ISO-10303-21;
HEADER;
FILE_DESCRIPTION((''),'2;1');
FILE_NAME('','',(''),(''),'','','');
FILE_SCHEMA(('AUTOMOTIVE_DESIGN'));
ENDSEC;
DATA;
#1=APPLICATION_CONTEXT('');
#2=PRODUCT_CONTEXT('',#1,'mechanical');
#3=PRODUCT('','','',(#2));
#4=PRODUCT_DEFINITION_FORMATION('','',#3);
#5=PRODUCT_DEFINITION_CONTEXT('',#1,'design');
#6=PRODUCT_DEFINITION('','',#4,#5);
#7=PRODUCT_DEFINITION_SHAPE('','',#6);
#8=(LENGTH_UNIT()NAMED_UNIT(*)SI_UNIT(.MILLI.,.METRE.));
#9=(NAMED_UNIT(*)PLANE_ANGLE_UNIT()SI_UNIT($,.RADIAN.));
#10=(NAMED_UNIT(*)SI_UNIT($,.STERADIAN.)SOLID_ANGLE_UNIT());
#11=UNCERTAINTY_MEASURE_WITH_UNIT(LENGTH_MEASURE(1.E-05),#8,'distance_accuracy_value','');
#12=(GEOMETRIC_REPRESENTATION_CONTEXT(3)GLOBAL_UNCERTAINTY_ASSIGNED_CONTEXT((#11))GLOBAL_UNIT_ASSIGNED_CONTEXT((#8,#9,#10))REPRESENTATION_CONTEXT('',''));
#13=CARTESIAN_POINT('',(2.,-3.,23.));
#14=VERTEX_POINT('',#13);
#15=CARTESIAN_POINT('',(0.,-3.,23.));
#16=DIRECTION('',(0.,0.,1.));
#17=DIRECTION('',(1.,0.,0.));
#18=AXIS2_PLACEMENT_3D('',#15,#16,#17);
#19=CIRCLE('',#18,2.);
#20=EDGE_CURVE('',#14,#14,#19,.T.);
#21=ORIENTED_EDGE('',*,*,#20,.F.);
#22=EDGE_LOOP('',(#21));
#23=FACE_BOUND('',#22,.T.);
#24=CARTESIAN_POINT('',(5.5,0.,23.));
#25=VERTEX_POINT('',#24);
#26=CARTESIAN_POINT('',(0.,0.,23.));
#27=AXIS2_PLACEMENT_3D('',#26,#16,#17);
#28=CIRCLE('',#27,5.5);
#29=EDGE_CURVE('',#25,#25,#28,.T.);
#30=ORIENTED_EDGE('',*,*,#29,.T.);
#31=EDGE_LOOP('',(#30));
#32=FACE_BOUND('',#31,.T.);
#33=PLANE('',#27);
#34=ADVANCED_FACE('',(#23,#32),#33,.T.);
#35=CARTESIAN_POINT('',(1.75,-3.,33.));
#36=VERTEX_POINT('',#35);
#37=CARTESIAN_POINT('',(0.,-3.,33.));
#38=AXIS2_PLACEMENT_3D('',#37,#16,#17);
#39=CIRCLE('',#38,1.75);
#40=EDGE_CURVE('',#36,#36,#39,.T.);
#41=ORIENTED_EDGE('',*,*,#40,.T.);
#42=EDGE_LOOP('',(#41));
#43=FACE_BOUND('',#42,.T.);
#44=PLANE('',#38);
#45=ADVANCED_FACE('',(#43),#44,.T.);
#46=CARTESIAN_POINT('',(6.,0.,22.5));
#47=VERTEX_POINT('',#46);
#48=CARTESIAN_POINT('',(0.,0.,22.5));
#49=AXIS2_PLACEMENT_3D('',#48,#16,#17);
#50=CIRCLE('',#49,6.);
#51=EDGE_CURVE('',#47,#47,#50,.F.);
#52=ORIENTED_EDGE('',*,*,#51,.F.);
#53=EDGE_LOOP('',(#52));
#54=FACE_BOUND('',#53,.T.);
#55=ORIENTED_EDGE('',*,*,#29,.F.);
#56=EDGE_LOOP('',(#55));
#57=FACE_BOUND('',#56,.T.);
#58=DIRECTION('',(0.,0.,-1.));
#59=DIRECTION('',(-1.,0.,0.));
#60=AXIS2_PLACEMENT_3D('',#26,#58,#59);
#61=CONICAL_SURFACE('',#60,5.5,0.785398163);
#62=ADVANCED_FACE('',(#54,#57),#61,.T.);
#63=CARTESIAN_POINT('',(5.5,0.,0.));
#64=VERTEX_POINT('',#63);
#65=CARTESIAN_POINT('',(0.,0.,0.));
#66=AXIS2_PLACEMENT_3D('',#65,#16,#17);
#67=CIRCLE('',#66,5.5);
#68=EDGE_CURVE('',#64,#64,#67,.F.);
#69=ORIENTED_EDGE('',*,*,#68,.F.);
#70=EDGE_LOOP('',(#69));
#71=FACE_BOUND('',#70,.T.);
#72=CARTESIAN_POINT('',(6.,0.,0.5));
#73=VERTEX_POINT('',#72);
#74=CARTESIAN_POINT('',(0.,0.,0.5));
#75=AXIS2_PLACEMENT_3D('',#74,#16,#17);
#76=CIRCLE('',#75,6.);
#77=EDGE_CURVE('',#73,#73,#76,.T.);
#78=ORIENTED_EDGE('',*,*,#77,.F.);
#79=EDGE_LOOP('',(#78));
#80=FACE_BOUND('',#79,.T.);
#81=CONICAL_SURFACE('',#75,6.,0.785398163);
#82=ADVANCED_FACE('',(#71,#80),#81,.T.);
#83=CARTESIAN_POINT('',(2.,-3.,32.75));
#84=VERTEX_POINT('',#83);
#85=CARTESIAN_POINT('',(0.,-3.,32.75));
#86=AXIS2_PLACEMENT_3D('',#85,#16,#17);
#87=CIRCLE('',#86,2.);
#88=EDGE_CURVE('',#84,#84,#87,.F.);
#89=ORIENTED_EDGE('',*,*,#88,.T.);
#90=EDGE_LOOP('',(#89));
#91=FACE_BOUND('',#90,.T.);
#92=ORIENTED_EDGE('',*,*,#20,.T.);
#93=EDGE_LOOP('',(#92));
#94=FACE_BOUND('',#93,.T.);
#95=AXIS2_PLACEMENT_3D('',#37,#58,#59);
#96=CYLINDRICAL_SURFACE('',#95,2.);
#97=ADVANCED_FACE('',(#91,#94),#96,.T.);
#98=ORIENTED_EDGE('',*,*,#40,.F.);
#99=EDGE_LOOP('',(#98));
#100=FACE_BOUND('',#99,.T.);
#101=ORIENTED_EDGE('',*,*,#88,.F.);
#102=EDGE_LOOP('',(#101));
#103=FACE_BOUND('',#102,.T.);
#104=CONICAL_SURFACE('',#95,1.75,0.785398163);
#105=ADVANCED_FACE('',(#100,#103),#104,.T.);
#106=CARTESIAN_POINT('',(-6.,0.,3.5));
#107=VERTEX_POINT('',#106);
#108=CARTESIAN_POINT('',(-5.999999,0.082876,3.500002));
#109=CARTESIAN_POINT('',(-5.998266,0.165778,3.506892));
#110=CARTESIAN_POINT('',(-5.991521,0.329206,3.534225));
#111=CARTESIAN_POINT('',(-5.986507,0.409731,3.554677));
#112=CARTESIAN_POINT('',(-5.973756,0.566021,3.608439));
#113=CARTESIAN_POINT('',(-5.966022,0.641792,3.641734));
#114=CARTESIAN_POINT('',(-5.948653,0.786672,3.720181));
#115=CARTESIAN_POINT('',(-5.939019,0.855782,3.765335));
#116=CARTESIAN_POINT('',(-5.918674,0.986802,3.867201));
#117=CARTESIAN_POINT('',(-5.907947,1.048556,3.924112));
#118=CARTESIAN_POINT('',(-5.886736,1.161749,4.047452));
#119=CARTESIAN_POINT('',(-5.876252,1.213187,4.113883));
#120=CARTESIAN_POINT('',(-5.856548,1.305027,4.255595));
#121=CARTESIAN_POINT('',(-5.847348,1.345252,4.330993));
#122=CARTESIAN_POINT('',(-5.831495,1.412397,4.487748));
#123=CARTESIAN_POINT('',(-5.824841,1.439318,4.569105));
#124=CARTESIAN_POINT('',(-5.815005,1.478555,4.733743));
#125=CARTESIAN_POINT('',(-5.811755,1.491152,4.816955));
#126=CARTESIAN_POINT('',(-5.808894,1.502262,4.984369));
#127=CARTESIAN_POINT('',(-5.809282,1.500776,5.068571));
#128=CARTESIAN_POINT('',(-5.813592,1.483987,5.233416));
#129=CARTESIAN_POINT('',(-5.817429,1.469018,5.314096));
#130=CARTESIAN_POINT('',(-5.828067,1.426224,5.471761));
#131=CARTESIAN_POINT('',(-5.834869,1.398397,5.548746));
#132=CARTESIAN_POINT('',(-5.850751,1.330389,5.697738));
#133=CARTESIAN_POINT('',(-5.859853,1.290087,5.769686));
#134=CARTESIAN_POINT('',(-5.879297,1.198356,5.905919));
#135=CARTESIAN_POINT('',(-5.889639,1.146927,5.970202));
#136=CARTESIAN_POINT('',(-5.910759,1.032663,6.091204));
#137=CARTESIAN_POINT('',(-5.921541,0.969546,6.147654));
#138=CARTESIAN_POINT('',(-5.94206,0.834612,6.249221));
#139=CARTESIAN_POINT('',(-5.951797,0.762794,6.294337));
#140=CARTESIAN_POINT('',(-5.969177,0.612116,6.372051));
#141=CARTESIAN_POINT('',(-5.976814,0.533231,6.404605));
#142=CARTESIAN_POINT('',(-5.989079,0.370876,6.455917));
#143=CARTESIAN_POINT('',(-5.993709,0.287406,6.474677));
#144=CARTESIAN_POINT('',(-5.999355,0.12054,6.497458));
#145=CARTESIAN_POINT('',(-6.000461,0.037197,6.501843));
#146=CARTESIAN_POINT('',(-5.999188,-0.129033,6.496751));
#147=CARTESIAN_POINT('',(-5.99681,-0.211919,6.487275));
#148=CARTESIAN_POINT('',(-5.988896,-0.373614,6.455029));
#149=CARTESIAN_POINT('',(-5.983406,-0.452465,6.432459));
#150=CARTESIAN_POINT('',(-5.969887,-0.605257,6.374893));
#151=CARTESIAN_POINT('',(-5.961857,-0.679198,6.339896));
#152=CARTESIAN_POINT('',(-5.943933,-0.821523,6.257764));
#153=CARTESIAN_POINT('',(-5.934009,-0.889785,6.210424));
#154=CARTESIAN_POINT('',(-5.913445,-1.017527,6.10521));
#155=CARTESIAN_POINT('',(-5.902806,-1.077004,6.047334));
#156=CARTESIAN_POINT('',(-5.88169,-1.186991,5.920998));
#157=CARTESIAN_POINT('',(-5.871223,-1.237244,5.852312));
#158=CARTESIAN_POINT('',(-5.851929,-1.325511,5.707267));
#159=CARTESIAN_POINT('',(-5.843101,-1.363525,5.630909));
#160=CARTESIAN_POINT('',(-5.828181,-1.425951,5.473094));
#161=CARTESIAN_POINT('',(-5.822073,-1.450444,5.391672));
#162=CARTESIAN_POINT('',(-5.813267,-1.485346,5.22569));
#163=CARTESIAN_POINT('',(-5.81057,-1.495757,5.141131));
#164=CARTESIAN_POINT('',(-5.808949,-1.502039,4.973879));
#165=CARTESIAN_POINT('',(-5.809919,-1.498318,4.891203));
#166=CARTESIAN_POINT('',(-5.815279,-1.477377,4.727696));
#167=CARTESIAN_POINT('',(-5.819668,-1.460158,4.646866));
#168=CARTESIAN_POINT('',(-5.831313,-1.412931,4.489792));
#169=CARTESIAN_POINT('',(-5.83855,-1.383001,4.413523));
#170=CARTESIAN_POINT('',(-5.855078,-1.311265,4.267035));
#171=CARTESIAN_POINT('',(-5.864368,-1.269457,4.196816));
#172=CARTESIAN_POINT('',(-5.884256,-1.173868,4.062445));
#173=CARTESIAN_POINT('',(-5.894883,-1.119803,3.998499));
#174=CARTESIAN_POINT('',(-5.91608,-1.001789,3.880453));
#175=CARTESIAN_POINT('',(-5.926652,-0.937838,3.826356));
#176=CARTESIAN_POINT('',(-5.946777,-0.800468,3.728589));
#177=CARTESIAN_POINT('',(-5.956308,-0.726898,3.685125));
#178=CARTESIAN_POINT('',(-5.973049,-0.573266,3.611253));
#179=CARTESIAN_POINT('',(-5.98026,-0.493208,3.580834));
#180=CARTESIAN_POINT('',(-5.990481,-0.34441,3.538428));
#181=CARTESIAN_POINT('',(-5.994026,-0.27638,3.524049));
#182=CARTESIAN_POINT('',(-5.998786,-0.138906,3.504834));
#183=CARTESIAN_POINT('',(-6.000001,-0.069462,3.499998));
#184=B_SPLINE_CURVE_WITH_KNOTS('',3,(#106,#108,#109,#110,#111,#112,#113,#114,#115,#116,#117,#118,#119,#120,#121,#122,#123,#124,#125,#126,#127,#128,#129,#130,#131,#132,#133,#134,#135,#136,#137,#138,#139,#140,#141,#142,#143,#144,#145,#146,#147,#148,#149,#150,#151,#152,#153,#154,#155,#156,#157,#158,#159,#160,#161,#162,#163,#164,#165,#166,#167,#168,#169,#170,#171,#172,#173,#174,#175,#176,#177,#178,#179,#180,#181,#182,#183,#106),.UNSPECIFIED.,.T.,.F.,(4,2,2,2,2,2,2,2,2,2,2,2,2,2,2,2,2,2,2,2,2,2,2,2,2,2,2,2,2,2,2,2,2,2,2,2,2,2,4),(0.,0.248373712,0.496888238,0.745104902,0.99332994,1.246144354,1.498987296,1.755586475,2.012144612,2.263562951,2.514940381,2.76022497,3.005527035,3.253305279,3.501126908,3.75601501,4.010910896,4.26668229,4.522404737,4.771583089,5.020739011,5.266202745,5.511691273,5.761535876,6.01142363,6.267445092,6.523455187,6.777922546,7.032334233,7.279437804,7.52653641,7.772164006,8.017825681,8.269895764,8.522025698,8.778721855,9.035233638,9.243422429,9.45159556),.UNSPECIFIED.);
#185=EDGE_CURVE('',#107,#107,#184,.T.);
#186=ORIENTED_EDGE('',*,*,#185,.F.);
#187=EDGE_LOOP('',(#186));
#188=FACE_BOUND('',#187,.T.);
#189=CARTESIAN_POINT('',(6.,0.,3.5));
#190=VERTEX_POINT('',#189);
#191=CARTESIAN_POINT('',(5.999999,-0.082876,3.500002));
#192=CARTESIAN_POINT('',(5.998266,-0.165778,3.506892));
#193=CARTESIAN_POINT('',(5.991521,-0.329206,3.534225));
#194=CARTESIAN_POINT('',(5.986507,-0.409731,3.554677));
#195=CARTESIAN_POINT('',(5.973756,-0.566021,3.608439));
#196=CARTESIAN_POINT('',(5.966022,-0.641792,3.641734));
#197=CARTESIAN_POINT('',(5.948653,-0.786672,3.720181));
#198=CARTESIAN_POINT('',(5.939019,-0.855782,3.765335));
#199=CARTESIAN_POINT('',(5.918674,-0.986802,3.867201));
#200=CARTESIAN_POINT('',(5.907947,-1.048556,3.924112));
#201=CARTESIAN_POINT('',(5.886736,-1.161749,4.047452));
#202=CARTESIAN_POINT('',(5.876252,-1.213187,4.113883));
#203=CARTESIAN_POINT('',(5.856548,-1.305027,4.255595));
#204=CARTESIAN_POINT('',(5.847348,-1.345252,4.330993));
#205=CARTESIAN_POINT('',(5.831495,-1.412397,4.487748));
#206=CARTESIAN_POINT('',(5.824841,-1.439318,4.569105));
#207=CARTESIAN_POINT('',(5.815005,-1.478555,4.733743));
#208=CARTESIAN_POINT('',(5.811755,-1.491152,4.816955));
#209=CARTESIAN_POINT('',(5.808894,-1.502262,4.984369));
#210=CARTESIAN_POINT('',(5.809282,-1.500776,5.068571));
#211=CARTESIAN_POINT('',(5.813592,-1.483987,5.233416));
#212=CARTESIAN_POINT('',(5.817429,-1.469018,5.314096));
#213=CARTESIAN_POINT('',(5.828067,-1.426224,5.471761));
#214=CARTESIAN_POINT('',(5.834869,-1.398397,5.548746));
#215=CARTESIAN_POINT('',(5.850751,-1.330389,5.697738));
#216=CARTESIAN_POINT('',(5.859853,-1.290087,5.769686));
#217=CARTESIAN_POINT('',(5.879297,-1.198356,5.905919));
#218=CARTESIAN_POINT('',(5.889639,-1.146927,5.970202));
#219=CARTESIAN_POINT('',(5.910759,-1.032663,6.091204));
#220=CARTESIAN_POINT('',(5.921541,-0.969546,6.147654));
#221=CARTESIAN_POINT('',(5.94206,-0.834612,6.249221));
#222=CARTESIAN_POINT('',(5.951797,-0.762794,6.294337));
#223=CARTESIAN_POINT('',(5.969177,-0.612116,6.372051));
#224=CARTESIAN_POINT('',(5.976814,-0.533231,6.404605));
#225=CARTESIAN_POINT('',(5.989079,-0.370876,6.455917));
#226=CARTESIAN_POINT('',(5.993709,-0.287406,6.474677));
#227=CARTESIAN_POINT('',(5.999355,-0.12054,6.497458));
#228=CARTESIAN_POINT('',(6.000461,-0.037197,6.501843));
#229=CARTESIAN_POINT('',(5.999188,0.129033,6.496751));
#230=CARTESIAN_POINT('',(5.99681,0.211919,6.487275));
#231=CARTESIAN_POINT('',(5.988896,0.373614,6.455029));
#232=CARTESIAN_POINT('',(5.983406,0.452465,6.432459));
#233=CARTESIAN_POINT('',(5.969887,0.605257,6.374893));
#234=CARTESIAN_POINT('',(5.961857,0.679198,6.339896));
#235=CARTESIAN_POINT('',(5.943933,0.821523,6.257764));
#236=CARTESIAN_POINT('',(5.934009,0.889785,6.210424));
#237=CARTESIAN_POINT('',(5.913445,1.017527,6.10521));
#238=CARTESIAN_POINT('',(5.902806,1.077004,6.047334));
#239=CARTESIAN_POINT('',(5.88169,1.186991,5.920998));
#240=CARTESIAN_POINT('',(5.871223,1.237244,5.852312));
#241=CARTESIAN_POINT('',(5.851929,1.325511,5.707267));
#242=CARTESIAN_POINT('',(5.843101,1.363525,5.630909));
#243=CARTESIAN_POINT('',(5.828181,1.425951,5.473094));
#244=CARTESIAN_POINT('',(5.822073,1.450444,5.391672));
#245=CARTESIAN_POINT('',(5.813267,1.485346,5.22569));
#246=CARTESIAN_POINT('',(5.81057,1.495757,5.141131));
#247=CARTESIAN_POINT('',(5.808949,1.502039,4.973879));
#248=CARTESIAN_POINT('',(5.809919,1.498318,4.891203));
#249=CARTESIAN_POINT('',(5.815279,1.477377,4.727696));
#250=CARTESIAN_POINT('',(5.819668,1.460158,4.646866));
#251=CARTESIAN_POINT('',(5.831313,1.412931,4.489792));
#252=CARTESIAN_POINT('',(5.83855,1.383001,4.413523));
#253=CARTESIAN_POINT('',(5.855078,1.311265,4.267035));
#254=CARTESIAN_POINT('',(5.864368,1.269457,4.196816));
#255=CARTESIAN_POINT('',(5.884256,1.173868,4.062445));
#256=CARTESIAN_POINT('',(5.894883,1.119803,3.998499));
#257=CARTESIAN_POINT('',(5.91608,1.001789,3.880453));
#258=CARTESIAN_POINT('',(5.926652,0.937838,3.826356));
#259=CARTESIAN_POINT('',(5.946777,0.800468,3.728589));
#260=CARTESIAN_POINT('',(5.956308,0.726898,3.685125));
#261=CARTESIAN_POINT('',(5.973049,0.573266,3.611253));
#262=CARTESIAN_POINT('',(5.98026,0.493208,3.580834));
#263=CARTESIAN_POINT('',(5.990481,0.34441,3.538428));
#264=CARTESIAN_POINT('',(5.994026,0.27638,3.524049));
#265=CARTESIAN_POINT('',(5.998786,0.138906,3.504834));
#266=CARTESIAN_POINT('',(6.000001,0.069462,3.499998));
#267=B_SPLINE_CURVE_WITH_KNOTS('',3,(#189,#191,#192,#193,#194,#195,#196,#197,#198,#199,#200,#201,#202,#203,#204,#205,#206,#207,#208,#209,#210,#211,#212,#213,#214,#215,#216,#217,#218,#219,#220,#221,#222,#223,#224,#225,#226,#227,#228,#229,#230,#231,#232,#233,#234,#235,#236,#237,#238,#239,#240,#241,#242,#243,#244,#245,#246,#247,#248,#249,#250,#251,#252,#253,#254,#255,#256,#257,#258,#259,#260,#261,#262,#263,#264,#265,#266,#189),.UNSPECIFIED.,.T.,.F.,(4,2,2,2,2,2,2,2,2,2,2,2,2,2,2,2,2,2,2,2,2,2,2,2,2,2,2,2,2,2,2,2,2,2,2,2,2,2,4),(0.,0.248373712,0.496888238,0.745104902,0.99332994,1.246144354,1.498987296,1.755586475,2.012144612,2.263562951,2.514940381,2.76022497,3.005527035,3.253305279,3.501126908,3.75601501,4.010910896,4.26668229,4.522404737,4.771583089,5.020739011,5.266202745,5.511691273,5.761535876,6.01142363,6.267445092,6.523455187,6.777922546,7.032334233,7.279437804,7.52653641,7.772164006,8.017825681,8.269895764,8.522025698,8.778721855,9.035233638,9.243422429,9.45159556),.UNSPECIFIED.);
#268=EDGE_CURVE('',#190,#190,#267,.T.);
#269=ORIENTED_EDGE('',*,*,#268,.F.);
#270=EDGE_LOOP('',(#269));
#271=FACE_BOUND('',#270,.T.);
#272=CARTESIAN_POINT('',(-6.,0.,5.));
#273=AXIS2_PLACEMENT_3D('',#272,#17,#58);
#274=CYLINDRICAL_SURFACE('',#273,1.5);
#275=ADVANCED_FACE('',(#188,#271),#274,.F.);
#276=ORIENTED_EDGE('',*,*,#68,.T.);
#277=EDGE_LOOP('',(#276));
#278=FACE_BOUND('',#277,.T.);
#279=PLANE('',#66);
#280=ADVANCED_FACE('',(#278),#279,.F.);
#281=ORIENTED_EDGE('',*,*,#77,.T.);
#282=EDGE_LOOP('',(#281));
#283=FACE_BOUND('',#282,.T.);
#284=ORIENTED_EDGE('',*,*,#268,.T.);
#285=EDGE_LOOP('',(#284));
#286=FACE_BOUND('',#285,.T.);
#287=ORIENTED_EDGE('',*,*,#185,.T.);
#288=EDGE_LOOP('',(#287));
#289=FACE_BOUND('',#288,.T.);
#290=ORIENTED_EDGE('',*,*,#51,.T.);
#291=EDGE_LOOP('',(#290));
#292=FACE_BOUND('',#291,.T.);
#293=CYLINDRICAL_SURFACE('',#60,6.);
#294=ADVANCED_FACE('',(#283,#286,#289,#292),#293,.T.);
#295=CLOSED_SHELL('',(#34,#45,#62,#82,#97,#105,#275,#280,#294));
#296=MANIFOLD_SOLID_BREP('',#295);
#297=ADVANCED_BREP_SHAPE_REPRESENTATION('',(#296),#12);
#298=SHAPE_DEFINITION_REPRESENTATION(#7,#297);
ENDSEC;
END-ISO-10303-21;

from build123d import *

# Parameters (mm, degrees)
SKETCH1_R               = 6
BOSS_EXTRUDE1_DEPTH     = 23
SKETCH2_R               = 2
BOSS_EXTRUDE2_DEPTH     = 10
CHAMFER1_SIZE           = 0.5
CHAMFER2_SIZE           = 0.25
SKETCH3_R               = 1.5
CUT_EXTRUDE1_DEPTH      = 7
CUT_EXTRUDE1_DEPTH_BACK = 7


with BuildPart() as part:
    # Sketch1 → Boss-Extrude1 (new body)
    with BuildSketch(Plane.XY):
        Circle(SKETCH1_R)
    extrude(amount=BOSS_EXTRUDE1_DEPTH)

    # Sketch2 → Boss-Extrude2 (add)
    with BuildSketch(Plane.XY.offset(23)):
        with Locations((0, -3)):
            Circle(SKETCH2_R)
    extrude(amount=BOSS_EXTRUDE2_DEPTH)

    # Chamfer1
    chamfer1_edges = [part.edges().sort_by_distance(p)[0] for p in [
        (-6, 0, 0),
        (-6, 0, 23),
    ]]
    chamfer(chamfer1_edges, length=CHAMFER1_SIZE)

    # Chamfer2
    chamfer2_edges = [part.edges().sort_by_distance(p)[0] for p in [
        (-2, -3, 33),
    ]]
    chamfer(chamfer2_edges, length=CHAMFER2_SIZE)

    # Sketch3 → Cut-Extrude1 (cut, two sides)
    with BuildSketch(Plane(origin=(0, 0, 0), x_dir=(0, 0, -1), z_dir=(1, 0, 0))) as cut_extrude1_sk:
        with Locations((-5, 0)):
            Circle(SKETCH3_R)
    extrude(amount=CUT_EXTRUDE1_DEPTH, mode=Mode.SUBTRACT)
    extrude(cut_extrude1_sk.sketch, amount=-CUT_EXTRUDE1_DEPTH_BACK, mode=Mode.SUBTRACT)


solid = part.part
